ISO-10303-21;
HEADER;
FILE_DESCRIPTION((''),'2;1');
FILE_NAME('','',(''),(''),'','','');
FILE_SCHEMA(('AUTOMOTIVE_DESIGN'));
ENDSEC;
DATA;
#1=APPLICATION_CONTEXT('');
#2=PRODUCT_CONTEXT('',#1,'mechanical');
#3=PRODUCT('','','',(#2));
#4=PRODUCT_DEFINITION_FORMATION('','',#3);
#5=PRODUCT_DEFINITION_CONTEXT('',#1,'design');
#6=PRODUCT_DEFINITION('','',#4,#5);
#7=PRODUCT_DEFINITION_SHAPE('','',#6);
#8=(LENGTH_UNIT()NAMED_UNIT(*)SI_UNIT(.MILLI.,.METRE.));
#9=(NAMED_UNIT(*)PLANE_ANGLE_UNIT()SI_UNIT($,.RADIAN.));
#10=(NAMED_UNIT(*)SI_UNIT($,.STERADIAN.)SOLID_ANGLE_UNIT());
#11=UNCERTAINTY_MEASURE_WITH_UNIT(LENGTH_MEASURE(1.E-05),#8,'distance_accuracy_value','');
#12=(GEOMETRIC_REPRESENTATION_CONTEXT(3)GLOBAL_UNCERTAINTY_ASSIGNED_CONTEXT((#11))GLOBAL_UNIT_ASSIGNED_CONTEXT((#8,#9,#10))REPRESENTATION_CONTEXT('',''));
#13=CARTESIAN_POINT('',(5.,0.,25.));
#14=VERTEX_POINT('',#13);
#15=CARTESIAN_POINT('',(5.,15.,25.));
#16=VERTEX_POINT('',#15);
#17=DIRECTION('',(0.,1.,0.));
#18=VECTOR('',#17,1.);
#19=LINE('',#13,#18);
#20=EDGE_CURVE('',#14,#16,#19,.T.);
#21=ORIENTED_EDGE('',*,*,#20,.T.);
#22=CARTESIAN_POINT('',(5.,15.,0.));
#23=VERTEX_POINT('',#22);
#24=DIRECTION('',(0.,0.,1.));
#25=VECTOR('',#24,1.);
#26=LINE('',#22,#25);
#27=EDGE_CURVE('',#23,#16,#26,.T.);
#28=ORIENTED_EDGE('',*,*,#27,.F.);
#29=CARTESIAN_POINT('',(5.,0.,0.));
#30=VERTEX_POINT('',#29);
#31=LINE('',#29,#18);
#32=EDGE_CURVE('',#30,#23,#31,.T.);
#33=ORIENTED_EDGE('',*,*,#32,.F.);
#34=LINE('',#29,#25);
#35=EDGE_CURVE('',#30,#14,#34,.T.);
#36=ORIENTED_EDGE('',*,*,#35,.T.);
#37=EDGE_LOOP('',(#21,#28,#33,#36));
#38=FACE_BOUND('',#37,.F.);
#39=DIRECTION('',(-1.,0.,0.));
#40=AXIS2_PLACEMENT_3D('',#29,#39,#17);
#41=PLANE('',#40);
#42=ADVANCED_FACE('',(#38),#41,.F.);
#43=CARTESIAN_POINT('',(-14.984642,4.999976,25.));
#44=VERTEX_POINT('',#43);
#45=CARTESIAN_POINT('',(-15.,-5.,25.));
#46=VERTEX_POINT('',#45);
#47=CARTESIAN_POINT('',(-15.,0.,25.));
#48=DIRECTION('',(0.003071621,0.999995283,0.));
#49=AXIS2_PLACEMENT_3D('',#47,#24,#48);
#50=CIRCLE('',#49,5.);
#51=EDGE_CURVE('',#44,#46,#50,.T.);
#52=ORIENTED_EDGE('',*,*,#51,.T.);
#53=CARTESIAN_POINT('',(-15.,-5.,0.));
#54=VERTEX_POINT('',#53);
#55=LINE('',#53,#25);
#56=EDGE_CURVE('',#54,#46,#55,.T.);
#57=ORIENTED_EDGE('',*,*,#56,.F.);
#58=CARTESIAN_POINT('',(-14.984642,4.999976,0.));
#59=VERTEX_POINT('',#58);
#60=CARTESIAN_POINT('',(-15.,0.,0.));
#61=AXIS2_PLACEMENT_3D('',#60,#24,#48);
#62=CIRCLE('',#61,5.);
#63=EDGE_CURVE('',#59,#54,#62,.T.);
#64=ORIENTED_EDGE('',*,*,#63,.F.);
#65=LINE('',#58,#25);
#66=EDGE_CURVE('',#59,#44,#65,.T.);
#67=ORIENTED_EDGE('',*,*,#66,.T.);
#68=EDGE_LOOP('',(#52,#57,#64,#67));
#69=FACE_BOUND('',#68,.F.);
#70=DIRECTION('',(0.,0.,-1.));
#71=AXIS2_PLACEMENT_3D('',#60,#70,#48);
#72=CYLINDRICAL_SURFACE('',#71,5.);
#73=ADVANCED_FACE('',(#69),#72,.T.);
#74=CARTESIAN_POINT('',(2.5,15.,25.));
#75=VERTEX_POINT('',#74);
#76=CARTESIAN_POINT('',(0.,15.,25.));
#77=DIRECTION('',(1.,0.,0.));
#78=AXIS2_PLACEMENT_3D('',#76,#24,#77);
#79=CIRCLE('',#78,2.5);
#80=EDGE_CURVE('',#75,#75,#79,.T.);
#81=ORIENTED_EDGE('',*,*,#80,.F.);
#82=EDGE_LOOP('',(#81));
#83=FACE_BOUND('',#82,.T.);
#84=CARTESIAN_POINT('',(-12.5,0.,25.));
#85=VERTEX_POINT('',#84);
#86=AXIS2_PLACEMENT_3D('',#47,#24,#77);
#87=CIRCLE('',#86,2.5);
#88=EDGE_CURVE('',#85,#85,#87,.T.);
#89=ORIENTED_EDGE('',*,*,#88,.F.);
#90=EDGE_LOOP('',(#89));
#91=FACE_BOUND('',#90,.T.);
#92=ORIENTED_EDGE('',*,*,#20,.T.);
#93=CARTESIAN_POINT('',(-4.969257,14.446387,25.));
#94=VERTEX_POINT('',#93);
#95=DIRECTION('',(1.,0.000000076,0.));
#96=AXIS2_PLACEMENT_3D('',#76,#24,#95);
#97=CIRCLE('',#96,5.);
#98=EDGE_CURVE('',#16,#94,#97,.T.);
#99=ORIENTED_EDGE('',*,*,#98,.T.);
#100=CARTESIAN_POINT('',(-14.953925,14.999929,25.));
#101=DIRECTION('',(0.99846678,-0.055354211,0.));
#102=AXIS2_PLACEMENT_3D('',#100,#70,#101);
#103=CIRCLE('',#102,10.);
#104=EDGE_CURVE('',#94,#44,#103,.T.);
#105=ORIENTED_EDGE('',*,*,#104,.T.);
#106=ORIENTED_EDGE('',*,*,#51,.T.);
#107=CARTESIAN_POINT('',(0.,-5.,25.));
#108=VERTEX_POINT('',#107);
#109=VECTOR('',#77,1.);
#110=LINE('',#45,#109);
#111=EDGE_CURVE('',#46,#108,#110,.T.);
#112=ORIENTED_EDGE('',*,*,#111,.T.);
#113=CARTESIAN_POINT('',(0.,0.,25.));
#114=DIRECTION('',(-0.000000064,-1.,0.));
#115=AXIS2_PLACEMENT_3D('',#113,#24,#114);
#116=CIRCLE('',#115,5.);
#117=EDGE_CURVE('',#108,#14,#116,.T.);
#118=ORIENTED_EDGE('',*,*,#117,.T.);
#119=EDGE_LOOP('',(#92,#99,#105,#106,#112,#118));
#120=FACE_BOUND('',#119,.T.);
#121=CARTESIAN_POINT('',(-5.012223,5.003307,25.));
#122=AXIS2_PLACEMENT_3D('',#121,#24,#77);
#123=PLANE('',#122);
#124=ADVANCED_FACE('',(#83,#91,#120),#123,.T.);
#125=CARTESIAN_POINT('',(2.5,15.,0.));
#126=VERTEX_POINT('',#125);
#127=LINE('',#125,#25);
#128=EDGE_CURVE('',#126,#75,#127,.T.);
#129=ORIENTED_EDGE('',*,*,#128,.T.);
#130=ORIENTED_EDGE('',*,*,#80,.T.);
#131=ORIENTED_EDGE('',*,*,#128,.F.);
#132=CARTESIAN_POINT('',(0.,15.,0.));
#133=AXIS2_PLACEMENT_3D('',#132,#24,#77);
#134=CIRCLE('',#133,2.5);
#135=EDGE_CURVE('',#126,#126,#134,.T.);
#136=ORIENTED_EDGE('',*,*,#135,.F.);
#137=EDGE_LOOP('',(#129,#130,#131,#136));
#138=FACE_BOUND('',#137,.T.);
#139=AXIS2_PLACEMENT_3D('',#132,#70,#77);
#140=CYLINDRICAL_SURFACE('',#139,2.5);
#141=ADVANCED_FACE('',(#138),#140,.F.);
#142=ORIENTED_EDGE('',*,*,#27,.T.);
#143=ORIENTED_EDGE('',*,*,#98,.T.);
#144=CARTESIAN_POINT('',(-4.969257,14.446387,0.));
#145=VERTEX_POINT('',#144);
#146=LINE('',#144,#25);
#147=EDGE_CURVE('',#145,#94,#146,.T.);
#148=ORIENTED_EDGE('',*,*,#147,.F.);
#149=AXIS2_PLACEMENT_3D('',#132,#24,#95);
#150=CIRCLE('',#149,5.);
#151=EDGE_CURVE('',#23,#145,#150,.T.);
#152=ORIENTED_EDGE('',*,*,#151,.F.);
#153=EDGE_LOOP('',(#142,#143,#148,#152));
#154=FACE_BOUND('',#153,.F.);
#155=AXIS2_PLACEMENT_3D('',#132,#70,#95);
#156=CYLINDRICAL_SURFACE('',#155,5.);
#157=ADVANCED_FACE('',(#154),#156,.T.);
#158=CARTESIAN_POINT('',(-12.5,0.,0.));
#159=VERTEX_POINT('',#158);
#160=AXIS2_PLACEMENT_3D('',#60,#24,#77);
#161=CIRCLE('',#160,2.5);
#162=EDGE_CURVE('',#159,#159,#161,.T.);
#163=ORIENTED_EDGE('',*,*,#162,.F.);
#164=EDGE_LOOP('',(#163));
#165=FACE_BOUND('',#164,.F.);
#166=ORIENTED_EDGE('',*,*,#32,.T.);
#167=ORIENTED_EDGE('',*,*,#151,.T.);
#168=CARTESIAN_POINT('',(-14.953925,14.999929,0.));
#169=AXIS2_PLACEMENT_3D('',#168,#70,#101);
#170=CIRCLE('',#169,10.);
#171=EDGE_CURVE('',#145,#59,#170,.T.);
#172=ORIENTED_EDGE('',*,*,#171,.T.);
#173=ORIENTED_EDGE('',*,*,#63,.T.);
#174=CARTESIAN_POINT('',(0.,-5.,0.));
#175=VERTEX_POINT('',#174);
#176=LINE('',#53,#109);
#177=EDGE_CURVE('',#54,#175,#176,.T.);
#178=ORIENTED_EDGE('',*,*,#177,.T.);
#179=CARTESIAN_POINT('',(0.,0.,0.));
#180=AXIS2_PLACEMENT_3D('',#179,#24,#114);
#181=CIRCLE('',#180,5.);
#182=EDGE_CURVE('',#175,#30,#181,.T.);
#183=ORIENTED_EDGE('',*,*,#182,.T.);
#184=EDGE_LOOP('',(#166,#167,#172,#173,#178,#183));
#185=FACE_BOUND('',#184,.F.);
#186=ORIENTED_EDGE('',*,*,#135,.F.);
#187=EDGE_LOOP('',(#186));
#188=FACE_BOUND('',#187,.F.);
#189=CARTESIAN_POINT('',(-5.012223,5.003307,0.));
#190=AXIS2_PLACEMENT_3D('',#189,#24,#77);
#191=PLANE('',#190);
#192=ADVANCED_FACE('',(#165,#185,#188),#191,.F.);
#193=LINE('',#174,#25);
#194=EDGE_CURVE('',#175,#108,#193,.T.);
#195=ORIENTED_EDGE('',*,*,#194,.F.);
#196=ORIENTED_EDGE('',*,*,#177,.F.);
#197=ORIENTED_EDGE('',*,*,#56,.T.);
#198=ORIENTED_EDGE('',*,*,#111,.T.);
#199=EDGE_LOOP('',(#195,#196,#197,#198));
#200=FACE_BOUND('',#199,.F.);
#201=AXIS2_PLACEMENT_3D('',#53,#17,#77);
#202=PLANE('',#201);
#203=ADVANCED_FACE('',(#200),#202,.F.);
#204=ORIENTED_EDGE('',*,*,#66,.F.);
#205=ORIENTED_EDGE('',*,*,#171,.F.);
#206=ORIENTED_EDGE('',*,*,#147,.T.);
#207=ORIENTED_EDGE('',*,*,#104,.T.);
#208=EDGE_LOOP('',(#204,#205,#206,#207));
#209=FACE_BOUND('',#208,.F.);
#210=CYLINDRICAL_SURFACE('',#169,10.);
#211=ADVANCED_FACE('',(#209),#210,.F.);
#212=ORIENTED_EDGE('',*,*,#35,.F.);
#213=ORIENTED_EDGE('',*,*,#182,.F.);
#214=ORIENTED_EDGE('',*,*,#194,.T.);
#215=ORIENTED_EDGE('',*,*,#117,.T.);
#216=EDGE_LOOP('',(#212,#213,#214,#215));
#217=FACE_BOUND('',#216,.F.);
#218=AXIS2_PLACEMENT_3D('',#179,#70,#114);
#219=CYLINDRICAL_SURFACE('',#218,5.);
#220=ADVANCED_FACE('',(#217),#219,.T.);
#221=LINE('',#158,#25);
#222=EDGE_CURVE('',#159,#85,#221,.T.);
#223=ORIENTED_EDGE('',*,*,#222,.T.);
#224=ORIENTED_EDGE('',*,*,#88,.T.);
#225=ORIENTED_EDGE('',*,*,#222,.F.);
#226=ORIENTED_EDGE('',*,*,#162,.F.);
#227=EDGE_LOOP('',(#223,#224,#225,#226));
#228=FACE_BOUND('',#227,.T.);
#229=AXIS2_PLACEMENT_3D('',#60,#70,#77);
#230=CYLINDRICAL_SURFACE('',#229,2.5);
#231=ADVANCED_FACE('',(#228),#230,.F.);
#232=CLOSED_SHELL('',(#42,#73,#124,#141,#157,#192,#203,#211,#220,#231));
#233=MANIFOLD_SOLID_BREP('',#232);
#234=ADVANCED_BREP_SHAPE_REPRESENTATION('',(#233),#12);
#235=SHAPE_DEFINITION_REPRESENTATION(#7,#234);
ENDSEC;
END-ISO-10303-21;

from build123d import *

# Parameters (mm, degrees)
F0_R     = 2.5
F1_DEPTH = 25


with BuildPart() as f1:
    # F0 (on Top) → F1 (new body)
    with BuildSketch(Plane.XY):
        with BuildLine():
            Line((5, 0), (5, 15))
            ThreePointArc((5, 15), (-0.277233, 19.992308), (-4.969257, 14.446387))
            ThreePointArc((-4.969257, 14.446387), (-8.092514, 7.725244), (-14.984642, 4.999976))
            ThreePointArc((-14.984642, 4.999976), (-19.999994, 0.007679), (-15, -5))
            Line((-15, -5), (0, -5))
            ThreePointArc((0, -5), (3.535534, -3.535534), (5, 0))
        make_face()
        with Locations((-15, 0)):
            Circle(F0_R, mode=Mode.SUBTRACT)
        with Locations((0, 15)):
            Circle(F0_R, mode=Mode.SUBTRACT)
    extrude(amount=F1_DEPTH)


solid = f1.part
